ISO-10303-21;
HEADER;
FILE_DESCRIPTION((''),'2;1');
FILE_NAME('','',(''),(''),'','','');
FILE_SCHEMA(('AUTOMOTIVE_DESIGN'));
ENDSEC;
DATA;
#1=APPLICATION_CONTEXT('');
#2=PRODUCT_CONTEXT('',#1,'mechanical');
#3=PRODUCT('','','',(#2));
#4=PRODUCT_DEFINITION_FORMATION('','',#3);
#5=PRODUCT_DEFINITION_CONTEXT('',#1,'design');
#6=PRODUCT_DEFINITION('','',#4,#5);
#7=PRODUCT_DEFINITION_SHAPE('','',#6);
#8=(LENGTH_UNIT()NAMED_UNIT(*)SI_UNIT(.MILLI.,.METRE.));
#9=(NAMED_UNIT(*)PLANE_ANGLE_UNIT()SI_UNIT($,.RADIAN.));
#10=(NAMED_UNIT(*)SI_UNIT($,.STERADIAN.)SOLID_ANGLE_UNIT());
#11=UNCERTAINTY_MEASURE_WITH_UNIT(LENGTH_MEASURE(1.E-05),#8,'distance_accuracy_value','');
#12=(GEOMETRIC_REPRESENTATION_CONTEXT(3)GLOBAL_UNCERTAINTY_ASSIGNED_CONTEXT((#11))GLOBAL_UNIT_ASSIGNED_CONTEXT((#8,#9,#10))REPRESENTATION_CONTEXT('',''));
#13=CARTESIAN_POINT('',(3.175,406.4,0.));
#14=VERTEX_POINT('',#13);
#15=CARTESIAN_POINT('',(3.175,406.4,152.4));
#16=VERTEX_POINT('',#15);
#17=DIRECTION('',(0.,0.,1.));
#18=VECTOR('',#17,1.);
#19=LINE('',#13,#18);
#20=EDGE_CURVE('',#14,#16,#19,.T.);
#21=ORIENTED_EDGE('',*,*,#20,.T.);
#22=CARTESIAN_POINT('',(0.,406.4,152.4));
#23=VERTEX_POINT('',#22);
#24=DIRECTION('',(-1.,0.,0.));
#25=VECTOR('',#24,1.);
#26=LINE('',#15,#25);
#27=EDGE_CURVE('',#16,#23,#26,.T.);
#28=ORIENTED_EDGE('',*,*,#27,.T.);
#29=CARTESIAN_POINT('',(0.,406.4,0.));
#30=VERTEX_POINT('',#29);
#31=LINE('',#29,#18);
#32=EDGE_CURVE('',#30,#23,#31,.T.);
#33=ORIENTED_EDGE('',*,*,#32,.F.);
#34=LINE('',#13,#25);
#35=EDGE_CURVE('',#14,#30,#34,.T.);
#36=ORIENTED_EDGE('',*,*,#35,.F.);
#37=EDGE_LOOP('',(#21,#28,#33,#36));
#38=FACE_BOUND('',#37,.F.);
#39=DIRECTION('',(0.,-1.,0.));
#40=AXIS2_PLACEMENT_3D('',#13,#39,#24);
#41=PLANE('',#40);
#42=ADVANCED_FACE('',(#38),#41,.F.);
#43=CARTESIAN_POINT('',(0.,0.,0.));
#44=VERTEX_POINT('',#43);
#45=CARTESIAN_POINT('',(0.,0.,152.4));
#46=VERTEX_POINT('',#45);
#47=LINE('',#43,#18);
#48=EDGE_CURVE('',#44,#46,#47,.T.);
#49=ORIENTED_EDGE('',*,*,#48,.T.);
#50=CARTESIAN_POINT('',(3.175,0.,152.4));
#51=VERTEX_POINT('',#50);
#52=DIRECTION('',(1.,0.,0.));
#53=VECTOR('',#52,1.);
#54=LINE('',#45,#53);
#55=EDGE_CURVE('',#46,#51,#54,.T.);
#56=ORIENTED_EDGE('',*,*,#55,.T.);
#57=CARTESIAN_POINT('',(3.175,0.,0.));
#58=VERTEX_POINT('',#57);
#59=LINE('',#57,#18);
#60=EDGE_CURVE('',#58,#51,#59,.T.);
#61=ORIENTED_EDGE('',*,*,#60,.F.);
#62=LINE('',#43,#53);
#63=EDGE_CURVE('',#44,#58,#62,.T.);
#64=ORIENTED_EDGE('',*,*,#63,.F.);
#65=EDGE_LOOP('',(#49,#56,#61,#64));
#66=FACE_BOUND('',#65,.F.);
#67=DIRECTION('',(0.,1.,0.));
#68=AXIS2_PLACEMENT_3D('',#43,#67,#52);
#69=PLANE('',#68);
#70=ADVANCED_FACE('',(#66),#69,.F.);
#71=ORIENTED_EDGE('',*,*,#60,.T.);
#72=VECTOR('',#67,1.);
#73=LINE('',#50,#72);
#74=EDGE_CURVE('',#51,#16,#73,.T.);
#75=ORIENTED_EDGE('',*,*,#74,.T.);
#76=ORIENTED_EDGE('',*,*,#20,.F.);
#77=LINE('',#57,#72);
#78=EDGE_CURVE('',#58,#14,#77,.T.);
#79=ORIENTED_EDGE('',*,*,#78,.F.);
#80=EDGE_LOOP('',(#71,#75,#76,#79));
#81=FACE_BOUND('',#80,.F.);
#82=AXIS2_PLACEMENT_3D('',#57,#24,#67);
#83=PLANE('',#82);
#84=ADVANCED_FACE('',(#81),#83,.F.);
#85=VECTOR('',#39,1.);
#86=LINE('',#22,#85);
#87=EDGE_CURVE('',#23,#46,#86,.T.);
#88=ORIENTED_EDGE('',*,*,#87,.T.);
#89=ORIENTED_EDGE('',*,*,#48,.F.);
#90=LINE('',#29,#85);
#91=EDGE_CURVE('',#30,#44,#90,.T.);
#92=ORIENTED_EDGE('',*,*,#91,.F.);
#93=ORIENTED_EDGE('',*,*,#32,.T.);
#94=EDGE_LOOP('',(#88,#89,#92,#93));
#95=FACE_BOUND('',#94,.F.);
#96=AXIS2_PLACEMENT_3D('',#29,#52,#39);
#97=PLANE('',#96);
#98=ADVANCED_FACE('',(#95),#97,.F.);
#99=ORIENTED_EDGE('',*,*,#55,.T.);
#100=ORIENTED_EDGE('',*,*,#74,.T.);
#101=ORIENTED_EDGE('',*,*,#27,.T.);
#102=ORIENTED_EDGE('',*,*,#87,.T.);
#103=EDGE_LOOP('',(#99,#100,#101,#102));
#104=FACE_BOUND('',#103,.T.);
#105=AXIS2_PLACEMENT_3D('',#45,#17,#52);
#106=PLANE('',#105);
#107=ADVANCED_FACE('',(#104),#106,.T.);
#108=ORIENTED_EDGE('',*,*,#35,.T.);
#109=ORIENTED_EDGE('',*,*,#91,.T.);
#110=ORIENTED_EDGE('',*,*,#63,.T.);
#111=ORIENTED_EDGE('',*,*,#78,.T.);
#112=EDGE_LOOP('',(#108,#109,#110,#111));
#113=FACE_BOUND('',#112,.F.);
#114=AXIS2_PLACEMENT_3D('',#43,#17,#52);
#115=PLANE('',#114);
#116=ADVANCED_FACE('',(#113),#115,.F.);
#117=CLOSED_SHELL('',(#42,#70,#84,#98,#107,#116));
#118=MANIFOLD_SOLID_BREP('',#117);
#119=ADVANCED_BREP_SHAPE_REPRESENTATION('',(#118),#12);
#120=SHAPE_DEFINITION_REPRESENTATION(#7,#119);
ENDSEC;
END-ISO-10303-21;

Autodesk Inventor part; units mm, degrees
ref_plane "YZ Plane" through (0, 0, 0) normal (1, 0, 0) x (0, 1, 0)
ref_plane "XZ Plane" through (0, 0, 0) normal (0, 1, 0) x (-1, 0, 0)
ref_plane "XY Plane" through (0, 0, 0) normal (0, 0, 1) x (1, 0, 0)
sketch "Sketch1" plane through (0, 0, 0) normal (0, 0, 1) x (1, 0, 0)
  line L0 (0, 0) -> (3.175, 0)
  line L1 (3.175, 0) -> (3.175, 406.4)
  line L2 (3.175, 406.4) -> (0, 406.4)
  line L3 (0, 406.4) -> (0, 0)
  dimension "d0" = 3.175
  dimension "d1" = 406.4
extrude "Extrusion1" add sketch "Sketch1" along normal blind 152.4
properties part number "VerticalJagTower" material "ABS Plastic"
